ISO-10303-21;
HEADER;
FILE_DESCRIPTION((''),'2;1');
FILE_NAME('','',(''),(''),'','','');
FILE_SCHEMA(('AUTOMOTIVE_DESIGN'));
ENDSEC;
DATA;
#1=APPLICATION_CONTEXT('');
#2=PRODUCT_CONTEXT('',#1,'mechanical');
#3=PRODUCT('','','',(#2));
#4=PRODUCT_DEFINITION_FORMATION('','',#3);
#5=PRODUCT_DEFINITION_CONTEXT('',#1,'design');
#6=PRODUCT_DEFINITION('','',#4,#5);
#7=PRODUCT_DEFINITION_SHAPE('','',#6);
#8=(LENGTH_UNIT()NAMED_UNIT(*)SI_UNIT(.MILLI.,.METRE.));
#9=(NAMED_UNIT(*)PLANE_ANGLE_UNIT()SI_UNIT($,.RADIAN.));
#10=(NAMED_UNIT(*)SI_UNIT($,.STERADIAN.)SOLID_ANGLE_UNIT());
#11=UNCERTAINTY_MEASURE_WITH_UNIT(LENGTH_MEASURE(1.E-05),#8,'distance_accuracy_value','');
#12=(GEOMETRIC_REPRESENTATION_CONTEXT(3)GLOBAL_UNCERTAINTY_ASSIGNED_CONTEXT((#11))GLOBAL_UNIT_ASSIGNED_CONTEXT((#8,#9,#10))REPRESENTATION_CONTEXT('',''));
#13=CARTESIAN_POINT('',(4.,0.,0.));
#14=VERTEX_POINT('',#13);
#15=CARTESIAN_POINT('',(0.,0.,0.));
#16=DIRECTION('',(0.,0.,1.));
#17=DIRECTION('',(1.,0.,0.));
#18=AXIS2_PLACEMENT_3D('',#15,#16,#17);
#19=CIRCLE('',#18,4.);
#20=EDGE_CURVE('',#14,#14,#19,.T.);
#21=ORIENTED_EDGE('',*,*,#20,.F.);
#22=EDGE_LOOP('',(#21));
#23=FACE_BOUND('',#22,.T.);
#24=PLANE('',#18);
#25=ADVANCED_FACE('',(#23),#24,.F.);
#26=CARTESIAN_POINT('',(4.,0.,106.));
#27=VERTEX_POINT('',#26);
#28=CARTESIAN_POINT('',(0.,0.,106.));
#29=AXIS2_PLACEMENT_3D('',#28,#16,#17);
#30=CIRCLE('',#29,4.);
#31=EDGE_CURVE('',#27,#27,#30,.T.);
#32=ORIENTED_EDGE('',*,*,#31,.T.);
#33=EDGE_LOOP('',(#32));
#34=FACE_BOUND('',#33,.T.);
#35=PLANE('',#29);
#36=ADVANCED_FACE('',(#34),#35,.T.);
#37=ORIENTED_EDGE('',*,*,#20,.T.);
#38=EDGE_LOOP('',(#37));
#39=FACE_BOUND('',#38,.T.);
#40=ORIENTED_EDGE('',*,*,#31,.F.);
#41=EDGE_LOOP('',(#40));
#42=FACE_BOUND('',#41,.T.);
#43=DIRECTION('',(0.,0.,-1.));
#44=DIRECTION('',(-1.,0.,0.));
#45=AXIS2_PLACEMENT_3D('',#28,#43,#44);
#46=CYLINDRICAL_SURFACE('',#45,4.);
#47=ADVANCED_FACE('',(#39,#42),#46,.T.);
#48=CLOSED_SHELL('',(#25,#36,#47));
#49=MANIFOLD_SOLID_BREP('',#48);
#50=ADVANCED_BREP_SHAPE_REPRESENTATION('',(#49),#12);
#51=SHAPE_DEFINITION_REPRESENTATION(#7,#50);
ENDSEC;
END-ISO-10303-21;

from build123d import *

# Parameters (mm, degrees)
ESQUISSE1_R        = 4
BOSS_EXTRU_1_DEPTH = 106


with BuildPart() as part:
    # Esquisse1 → Boss.-Extru.1 (new body)
    with BuildSketch(Plane.XY):
        Circle(ESQUISSE1_R)
    extrude(amount=BOSS_EXTRU_1_DEPTH)


solid = part.part
